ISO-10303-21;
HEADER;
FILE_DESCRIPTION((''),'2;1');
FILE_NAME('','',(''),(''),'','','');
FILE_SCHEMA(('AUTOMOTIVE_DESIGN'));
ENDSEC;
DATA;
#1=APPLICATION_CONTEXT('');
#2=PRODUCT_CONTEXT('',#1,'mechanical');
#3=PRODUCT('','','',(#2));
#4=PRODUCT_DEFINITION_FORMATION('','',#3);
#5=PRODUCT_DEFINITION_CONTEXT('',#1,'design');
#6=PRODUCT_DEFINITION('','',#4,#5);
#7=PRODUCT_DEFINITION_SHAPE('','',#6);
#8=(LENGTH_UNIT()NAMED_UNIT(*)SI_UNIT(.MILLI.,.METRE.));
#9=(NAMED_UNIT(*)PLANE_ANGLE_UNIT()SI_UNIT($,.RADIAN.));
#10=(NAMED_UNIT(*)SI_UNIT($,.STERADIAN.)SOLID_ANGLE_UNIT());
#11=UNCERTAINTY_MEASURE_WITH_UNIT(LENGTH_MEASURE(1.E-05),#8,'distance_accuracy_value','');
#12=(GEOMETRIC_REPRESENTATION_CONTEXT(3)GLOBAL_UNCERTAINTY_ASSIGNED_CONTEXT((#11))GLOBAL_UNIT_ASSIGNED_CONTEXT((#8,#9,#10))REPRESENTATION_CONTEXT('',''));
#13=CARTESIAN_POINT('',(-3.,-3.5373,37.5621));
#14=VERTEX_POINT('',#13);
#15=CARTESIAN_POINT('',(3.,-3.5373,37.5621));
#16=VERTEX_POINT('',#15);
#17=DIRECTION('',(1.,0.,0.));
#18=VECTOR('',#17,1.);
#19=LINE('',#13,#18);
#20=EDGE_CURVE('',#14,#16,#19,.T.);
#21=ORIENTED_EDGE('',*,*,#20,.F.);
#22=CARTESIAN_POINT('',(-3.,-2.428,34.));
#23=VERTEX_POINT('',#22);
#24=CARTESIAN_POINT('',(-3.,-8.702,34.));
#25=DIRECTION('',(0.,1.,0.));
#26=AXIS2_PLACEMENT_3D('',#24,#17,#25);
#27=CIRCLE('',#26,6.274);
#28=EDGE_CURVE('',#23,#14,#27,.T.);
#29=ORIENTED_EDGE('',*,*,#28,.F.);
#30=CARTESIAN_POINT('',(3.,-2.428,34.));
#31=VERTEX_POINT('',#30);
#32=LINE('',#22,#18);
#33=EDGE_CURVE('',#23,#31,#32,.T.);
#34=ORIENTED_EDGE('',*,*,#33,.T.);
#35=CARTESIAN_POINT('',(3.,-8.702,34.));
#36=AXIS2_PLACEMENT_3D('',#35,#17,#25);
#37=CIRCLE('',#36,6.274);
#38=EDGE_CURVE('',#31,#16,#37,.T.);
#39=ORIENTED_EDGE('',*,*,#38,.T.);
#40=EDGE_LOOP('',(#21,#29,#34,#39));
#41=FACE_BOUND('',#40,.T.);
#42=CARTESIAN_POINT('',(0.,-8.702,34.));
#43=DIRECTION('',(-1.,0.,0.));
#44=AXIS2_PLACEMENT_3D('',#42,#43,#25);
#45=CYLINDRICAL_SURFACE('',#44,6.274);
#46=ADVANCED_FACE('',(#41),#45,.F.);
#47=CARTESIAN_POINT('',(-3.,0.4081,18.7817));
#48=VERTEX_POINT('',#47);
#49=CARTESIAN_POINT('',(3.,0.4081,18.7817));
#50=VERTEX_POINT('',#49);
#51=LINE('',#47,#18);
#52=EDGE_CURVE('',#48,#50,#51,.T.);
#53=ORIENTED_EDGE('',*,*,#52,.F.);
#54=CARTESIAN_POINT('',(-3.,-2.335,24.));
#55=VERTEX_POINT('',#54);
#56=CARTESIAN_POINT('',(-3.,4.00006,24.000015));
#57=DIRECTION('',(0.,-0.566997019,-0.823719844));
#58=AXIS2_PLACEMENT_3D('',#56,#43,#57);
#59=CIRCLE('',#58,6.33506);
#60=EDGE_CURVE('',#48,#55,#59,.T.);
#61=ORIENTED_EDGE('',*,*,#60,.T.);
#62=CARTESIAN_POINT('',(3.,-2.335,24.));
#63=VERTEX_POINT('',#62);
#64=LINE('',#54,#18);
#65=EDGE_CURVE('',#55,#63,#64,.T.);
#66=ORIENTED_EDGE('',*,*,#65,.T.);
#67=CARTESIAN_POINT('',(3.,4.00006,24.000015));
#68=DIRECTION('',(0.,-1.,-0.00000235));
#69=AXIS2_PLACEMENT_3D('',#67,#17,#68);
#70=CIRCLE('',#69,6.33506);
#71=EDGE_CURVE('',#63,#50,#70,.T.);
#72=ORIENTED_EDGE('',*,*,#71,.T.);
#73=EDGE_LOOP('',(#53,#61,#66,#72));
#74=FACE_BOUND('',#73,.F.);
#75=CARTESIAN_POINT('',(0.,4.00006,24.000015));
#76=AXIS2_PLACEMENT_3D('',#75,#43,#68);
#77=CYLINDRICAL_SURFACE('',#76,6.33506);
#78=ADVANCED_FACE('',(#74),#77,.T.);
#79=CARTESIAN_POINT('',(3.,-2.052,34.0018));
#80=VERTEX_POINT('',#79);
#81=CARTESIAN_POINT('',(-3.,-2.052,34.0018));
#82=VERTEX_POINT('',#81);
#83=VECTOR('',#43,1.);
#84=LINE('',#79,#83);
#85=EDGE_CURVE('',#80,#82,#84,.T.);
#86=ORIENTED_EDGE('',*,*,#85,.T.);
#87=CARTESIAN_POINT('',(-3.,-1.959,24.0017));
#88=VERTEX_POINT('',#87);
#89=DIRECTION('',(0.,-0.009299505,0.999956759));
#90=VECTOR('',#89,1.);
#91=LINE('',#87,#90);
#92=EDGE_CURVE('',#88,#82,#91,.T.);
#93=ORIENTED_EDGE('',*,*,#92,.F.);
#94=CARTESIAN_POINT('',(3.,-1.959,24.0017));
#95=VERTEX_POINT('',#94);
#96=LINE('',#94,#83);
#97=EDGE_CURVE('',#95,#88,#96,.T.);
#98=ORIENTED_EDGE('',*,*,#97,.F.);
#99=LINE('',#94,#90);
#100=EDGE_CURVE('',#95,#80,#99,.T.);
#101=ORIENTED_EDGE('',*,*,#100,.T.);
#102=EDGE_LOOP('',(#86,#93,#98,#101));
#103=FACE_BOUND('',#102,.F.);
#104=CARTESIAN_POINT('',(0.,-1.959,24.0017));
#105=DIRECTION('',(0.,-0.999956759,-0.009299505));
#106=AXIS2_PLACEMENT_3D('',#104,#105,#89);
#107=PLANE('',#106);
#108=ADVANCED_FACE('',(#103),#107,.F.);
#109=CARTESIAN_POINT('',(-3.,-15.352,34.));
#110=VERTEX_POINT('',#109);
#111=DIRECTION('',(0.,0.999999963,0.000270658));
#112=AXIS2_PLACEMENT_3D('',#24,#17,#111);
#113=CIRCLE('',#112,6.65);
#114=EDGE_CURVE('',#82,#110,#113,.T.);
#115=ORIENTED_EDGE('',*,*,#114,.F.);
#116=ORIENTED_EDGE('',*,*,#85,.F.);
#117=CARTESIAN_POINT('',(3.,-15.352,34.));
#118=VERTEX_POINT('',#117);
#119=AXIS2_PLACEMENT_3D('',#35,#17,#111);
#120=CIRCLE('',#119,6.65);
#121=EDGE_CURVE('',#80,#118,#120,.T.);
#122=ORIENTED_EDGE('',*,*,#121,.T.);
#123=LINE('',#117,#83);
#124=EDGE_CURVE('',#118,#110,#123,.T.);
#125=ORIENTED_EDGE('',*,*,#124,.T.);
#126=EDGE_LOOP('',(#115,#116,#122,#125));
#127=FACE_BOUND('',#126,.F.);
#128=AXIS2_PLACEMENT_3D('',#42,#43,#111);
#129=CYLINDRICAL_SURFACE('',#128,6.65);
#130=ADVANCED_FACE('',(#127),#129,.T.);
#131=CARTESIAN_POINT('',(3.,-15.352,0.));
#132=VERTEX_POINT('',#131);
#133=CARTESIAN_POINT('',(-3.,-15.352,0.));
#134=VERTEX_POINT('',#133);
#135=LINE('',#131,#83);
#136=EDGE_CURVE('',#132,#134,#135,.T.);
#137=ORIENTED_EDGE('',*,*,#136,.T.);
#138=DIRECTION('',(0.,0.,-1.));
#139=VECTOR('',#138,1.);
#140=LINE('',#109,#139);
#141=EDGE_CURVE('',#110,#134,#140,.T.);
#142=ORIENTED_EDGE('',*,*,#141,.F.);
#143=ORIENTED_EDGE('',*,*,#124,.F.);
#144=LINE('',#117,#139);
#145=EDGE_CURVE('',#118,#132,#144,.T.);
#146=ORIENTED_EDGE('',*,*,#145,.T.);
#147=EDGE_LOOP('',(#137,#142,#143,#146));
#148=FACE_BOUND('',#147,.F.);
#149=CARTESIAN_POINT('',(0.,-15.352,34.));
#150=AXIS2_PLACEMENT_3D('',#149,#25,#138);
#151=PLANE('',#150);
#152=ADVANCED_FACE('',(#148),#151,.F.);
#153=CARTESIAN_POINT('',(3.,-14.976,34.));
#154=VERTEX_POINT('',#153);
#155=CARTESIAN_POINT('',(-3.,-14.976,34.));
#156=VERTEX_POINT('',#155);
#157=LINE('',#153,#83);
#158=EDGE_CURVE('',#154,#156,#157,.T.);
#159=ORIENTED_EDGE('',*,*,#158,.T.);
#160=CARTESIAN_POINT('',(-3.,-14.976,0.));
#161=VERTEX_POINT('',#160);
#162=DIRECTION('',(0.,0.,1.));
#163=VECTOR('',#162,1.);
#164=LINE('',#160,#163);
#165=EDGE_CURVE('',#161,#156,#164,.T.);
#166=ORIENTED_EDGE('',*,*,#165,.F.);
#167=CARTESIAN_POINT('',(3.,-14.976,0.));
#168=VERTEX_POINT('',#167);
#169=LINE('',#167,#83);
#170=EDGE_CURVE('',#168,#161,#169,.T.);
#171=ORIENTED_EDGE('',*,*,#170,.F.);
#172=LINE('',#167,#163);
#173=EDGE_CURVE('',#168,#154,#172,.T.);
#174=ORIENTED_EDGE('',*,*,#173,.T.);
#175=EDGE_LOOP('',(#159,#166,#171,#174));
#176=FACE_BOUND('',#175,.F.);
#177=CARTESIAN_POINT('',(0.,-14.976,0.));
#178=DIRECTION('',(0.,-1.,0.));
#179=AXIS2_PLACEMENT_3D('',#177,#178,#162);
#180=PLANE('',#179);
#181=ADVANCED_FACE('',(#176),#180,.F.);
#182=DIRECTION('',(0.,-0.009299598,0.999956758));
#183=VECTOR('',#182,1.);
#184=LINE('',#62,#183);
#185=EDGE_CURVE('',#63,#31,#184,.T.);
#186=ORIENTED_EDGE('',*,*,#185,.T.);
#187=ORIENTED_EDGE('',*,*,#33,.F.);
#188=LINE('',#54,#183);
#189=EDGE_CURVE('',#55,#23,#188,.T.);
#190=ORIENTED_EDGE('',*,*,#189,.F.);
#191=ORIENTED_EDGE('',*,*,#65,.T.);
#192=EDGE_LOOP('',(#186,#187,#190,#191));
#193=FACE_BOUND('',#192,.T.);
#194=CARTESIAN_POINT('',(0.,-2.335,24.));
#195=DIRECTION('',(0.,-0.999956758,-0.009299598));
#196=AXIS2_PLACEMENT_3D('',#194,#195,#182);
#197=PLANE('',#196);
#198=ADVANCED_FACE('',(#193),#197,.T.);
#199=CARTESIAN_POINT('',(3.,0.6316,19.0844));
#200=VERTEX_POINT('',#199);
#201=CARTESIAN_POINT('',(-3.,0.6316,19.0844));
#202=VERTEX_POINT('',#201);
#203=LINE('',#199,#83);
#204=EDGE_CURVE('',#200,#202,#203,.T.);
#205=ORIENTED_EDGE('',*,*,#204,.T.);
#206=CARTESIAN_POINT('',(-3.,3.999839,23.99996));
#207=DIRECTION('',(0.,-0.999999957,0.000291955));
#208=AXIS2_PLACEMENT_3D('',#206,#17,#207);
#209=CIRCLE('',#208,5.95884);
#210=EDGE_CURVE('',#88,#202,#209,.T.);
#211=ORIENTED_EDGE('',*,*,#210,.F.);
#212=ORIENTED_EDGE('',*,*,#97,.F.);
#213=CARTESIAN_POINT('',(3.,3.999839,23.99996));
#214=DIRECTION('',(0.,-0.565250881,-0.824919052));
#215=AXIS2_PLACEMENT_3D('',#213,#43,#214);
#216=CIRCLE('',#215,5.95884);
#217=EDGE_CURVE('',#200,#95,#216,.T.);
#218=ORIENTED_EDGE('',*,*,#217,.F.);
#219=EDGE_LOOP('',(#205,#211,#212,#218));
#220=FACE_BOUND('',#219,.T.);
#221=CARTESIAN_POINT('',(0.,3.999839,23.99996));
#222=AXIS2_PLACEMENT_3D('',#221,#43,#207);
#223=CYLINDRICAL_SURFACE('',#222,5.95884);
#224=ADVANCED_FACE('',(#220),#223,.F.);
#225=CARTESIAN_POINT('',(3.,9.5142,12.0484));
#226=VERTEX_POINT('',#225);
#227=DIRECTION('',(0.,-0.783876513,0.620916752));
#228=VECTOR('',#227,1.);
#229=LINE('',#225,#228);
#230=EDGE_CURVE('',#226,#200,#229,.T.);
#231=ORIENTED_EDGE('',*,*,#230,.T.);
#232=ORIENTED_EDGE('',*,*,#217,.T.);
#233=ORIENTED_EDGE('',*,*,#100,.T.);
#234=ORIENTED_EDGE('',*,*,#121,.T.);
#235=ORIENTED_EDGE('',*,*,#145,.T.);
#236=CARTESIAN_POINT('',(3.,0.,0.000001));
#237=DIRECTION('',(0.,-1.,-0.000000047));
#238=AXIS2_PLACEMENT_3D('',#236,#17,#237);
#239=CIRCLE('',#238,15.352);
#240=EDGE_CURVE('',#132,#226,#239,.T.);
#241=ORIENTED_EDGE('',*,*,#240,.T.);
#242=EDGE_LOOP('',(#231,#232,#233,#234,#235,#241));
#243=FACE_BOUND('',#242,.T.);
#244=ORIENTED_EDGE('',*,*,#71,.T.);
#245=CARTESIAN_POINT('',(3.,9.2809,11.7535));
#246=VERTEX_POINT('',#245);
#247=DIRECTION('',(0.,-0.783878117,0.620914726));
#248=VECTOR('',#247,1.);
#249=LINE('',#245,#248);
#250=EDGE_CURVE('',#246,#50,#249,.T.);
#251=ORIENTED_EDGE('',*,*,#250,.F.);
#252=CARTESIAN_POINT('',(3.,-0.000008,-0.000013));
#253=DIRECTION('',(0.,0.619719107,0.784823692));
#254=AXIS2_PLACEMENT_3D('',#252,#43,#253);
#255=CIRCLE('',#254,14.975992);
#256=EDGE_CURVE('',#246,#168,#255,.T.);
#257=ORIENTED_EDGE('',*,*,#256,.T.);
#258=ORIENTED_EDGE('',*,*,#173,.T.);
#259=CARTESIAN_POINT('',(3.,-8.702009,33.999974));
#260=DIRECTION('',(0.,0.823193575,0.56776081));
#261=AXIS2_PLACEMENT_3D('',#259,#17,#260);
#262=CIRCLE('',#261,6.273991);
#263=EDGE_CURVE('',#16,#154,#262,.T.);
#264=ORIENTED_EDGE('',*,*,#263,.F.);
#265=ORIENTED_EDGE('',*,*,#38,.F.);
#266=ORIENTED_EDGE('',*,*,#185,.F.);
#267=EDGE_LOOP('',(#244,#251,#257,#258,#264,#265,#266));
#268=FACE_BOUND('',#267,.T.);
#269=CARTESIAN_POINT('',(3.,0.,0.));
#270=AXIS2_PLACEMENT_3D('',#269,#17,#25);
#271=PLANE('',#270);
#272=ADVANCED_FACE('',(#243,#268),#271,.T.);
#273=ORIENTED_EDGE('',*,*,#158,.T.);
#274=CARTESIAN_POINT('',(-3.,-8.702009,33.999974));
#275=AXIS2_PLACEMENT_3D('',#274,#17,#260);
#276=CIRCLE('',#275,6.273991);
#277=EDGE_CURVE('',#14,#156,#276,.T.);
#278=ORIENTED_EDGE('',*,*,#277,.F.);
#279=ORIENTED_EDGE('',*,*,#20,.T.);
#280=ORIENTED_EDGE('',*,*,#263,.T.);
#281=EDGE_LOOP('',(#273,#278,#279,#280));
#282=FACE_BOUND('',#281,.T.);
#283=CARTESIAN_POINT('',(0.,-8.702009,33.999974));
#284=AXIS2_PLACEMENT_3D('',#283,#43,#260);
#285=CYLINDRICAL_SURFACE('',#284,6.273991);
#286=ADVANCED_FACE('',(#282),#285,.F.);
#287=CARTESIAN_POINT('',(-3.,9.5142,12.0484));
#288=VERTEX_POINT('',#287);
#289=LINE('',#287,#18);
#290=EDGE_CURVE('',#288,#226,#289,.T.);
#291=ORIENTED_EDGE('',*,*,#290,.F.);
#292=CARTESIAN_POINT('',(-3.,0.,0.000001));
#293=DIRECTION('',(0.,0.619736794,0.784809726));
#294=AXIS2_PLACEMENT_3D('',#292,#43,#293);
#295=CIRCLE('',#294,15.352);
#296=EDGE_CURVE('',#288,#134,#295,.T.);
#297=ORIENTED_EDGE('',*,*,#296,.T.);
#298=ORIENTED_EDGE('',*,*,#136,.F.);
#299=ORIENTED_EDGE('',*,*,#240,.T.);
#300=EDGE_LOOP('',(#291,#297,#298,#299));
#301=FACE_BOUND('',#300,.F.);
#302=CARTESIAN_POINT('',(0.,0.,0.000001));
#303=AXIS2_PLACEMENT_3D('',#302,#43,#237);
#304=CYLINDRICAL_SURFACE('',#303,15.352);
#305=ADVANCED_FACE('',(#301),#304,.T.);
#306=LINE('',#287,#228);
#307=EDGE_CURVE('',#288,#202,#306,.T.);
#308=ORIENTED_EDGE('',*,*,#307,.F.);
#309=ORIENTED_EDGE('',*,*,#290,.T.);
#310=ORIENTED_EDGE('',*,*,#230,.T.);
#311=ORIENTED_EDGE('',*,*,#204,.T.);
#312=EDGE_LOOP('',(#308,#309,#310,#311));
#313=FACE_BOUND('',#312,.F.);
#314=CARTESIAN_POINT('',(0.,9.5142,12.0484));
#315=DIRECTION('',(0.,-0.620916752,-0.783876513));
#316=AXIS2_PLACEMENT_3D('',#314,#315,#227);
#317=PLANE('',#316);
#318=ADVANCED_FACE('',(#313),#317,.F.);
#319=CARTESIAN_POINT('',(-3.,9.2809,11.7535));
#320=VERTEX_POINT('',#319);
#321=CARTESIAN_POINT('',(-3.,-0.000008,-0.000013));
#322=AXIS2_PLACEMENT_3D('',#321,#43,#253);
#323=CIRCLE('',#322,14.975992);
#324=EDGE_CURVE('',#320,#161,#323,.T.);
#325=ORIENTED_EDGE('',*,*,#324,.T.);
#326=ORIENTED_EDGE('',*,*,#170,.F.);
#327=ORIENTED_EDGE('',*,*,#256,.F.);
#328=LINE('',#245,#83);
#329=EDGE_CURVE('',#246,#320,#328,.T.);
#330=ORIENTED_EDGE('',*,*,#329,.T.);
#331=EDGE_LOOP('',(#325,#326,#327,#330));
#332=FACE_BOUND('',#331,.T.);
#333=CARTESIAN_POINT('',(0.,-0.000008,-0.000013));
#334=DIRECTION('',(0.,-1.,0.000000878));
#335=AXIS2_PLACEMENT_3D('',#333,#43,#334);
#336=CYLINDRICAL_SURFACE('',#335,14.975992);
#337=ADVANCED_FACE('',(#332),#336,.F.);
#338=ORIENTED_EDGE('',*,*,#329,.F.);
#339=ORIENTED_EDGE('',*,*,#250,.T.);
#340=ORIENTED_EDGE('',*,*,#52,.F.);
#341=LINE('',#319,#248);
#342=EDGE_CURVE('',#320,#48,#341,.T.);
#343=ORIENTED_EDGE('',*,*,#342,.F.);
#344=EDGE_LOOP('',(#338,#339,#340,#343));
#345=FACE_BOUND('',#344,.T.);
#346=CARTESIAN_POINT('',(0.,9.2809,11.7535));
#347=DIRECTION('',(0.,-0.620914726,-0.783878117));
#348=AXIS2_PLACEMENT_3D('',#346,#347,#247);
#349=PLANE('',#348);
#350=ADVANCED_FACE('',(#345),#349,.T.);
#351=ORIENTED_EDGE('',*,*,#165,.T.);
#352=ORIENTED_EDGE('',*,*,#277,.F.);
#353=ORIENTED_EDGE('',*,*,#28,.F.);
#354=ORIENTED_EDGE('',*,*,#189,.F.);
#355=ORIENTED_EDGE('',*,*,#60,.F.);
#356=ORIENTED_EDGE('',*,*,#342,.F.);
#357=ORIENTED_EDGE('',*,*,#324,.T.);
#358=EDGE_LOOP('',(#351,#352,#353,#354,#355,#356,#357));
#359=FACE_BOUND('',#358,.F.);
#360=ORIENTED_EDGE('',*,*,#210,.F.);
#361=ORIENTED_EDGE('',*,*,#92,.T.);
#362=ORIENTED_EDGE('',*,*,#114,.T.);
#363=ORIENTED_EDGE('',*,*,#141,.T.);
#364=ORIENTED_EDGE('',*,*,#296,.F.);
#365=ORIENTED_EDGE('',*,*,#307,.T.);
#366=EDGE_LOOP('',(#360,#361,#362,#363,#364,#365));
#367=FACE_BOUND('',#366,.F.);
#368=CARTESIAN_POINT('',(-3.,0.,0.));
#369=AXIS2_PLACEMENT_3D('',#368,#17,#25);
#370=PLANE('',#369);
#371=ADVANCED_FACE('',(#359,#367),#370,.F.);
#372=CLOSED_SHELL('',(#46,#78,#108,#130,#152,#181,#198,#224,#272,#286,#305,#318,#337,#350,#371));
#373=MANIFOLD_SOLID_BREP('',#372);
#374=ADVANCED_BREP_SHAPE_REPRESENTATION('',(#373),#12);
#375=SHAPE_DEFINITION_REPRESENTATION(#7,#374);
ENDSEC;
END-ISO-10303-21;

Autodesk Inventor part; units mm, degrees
ref_plane "YZ Plane" through (0, 0, 0) normal (1, 0, 0) x (0, 1, 0)
ref_plane "XZ Plane" through (0, 0, 0) normal (0, 1, 0) x (-1, 0, 0)
ref_plane "Work Plane1" through (0, 0, 18) normal (0, 0, 1) x (1, 0, 0)
sketch "Sketch1" plane through (0, 0, 0) normal (1, 0, 0) x (0, 1, 0)
  arc A0 (-3.5373, 37.5621) -> (-14.976, 34) centre (-8.702, 34) ccw
  line L0 (0, 54.2276) -> (0, -32.966) construction
  line L1 (0, -32.966) -> (0, 54.2276) projected
  line L2 (-24.1835, 0) -> (27.9587, 0) construction
  line L3 (-14.976, 0) -> (-14.976, 34)
  line L4 (-24.1835, 18) -> (27.9587, 18) construction
  arc A1 (-2.428, 34) -> (-14.976, 34) centre (-8.702, 34) ccw
  arc A2 (-2.335, 24) -> (0.4081, 18.7817) centre (4, 24) ccw
  line L5 (-0.319, 19.362) -> (-0.4473, 19.4885)
  line L6 (-2.335, 24) -> (-2.428, 34)
  line L7 (9.2809, 11.7535) -> (0.4081, 18.7817)
  arc A3 (-14.976, 0) -> (9.2809, 11.7535) centre (0, 0) ccw
  line L8 (9.5142, 12.0484) -> (0.6316, 19.0844)
  arc A4 (-1.959, 24.0017) -> (0.6316, 19.0844) centre (4, 24) ccw
  line L9 (-1.959, 24.0017) -> (-2.052, 34.0018)
  arc A5 (-2.052, 34.0018) -> (-15.352, 34) centre (-8.702, 34) ccw
  line L10 (-15.352, 34) -> (-15.352, 0)
  arc A6 (-15.352, 0) -> (9.5142, 12.0484) centre (0, 0) ccw
  dimension "d2" = 12.548
  dimension "d3" = 34
  dimension "d4" = 8.702
  dimension "d8" = 12.67
  dimension "d9" = 4
  dimension "d10" = 6
  dimension "d11" = 29.952
  dimension "d12" = 0.376
extrude "Extrusion1" add sketch "Sketch1" along normal mid plane 6 contours A0 L3 A3 L1 A6 L10 A5 L9 A4 A2 L6 A1 | A3 L7 A2 L1 A4 L8 A6
equation "\"start\" = d3"
equation "\"d7\" = start"
properties part number "paseknowy"
